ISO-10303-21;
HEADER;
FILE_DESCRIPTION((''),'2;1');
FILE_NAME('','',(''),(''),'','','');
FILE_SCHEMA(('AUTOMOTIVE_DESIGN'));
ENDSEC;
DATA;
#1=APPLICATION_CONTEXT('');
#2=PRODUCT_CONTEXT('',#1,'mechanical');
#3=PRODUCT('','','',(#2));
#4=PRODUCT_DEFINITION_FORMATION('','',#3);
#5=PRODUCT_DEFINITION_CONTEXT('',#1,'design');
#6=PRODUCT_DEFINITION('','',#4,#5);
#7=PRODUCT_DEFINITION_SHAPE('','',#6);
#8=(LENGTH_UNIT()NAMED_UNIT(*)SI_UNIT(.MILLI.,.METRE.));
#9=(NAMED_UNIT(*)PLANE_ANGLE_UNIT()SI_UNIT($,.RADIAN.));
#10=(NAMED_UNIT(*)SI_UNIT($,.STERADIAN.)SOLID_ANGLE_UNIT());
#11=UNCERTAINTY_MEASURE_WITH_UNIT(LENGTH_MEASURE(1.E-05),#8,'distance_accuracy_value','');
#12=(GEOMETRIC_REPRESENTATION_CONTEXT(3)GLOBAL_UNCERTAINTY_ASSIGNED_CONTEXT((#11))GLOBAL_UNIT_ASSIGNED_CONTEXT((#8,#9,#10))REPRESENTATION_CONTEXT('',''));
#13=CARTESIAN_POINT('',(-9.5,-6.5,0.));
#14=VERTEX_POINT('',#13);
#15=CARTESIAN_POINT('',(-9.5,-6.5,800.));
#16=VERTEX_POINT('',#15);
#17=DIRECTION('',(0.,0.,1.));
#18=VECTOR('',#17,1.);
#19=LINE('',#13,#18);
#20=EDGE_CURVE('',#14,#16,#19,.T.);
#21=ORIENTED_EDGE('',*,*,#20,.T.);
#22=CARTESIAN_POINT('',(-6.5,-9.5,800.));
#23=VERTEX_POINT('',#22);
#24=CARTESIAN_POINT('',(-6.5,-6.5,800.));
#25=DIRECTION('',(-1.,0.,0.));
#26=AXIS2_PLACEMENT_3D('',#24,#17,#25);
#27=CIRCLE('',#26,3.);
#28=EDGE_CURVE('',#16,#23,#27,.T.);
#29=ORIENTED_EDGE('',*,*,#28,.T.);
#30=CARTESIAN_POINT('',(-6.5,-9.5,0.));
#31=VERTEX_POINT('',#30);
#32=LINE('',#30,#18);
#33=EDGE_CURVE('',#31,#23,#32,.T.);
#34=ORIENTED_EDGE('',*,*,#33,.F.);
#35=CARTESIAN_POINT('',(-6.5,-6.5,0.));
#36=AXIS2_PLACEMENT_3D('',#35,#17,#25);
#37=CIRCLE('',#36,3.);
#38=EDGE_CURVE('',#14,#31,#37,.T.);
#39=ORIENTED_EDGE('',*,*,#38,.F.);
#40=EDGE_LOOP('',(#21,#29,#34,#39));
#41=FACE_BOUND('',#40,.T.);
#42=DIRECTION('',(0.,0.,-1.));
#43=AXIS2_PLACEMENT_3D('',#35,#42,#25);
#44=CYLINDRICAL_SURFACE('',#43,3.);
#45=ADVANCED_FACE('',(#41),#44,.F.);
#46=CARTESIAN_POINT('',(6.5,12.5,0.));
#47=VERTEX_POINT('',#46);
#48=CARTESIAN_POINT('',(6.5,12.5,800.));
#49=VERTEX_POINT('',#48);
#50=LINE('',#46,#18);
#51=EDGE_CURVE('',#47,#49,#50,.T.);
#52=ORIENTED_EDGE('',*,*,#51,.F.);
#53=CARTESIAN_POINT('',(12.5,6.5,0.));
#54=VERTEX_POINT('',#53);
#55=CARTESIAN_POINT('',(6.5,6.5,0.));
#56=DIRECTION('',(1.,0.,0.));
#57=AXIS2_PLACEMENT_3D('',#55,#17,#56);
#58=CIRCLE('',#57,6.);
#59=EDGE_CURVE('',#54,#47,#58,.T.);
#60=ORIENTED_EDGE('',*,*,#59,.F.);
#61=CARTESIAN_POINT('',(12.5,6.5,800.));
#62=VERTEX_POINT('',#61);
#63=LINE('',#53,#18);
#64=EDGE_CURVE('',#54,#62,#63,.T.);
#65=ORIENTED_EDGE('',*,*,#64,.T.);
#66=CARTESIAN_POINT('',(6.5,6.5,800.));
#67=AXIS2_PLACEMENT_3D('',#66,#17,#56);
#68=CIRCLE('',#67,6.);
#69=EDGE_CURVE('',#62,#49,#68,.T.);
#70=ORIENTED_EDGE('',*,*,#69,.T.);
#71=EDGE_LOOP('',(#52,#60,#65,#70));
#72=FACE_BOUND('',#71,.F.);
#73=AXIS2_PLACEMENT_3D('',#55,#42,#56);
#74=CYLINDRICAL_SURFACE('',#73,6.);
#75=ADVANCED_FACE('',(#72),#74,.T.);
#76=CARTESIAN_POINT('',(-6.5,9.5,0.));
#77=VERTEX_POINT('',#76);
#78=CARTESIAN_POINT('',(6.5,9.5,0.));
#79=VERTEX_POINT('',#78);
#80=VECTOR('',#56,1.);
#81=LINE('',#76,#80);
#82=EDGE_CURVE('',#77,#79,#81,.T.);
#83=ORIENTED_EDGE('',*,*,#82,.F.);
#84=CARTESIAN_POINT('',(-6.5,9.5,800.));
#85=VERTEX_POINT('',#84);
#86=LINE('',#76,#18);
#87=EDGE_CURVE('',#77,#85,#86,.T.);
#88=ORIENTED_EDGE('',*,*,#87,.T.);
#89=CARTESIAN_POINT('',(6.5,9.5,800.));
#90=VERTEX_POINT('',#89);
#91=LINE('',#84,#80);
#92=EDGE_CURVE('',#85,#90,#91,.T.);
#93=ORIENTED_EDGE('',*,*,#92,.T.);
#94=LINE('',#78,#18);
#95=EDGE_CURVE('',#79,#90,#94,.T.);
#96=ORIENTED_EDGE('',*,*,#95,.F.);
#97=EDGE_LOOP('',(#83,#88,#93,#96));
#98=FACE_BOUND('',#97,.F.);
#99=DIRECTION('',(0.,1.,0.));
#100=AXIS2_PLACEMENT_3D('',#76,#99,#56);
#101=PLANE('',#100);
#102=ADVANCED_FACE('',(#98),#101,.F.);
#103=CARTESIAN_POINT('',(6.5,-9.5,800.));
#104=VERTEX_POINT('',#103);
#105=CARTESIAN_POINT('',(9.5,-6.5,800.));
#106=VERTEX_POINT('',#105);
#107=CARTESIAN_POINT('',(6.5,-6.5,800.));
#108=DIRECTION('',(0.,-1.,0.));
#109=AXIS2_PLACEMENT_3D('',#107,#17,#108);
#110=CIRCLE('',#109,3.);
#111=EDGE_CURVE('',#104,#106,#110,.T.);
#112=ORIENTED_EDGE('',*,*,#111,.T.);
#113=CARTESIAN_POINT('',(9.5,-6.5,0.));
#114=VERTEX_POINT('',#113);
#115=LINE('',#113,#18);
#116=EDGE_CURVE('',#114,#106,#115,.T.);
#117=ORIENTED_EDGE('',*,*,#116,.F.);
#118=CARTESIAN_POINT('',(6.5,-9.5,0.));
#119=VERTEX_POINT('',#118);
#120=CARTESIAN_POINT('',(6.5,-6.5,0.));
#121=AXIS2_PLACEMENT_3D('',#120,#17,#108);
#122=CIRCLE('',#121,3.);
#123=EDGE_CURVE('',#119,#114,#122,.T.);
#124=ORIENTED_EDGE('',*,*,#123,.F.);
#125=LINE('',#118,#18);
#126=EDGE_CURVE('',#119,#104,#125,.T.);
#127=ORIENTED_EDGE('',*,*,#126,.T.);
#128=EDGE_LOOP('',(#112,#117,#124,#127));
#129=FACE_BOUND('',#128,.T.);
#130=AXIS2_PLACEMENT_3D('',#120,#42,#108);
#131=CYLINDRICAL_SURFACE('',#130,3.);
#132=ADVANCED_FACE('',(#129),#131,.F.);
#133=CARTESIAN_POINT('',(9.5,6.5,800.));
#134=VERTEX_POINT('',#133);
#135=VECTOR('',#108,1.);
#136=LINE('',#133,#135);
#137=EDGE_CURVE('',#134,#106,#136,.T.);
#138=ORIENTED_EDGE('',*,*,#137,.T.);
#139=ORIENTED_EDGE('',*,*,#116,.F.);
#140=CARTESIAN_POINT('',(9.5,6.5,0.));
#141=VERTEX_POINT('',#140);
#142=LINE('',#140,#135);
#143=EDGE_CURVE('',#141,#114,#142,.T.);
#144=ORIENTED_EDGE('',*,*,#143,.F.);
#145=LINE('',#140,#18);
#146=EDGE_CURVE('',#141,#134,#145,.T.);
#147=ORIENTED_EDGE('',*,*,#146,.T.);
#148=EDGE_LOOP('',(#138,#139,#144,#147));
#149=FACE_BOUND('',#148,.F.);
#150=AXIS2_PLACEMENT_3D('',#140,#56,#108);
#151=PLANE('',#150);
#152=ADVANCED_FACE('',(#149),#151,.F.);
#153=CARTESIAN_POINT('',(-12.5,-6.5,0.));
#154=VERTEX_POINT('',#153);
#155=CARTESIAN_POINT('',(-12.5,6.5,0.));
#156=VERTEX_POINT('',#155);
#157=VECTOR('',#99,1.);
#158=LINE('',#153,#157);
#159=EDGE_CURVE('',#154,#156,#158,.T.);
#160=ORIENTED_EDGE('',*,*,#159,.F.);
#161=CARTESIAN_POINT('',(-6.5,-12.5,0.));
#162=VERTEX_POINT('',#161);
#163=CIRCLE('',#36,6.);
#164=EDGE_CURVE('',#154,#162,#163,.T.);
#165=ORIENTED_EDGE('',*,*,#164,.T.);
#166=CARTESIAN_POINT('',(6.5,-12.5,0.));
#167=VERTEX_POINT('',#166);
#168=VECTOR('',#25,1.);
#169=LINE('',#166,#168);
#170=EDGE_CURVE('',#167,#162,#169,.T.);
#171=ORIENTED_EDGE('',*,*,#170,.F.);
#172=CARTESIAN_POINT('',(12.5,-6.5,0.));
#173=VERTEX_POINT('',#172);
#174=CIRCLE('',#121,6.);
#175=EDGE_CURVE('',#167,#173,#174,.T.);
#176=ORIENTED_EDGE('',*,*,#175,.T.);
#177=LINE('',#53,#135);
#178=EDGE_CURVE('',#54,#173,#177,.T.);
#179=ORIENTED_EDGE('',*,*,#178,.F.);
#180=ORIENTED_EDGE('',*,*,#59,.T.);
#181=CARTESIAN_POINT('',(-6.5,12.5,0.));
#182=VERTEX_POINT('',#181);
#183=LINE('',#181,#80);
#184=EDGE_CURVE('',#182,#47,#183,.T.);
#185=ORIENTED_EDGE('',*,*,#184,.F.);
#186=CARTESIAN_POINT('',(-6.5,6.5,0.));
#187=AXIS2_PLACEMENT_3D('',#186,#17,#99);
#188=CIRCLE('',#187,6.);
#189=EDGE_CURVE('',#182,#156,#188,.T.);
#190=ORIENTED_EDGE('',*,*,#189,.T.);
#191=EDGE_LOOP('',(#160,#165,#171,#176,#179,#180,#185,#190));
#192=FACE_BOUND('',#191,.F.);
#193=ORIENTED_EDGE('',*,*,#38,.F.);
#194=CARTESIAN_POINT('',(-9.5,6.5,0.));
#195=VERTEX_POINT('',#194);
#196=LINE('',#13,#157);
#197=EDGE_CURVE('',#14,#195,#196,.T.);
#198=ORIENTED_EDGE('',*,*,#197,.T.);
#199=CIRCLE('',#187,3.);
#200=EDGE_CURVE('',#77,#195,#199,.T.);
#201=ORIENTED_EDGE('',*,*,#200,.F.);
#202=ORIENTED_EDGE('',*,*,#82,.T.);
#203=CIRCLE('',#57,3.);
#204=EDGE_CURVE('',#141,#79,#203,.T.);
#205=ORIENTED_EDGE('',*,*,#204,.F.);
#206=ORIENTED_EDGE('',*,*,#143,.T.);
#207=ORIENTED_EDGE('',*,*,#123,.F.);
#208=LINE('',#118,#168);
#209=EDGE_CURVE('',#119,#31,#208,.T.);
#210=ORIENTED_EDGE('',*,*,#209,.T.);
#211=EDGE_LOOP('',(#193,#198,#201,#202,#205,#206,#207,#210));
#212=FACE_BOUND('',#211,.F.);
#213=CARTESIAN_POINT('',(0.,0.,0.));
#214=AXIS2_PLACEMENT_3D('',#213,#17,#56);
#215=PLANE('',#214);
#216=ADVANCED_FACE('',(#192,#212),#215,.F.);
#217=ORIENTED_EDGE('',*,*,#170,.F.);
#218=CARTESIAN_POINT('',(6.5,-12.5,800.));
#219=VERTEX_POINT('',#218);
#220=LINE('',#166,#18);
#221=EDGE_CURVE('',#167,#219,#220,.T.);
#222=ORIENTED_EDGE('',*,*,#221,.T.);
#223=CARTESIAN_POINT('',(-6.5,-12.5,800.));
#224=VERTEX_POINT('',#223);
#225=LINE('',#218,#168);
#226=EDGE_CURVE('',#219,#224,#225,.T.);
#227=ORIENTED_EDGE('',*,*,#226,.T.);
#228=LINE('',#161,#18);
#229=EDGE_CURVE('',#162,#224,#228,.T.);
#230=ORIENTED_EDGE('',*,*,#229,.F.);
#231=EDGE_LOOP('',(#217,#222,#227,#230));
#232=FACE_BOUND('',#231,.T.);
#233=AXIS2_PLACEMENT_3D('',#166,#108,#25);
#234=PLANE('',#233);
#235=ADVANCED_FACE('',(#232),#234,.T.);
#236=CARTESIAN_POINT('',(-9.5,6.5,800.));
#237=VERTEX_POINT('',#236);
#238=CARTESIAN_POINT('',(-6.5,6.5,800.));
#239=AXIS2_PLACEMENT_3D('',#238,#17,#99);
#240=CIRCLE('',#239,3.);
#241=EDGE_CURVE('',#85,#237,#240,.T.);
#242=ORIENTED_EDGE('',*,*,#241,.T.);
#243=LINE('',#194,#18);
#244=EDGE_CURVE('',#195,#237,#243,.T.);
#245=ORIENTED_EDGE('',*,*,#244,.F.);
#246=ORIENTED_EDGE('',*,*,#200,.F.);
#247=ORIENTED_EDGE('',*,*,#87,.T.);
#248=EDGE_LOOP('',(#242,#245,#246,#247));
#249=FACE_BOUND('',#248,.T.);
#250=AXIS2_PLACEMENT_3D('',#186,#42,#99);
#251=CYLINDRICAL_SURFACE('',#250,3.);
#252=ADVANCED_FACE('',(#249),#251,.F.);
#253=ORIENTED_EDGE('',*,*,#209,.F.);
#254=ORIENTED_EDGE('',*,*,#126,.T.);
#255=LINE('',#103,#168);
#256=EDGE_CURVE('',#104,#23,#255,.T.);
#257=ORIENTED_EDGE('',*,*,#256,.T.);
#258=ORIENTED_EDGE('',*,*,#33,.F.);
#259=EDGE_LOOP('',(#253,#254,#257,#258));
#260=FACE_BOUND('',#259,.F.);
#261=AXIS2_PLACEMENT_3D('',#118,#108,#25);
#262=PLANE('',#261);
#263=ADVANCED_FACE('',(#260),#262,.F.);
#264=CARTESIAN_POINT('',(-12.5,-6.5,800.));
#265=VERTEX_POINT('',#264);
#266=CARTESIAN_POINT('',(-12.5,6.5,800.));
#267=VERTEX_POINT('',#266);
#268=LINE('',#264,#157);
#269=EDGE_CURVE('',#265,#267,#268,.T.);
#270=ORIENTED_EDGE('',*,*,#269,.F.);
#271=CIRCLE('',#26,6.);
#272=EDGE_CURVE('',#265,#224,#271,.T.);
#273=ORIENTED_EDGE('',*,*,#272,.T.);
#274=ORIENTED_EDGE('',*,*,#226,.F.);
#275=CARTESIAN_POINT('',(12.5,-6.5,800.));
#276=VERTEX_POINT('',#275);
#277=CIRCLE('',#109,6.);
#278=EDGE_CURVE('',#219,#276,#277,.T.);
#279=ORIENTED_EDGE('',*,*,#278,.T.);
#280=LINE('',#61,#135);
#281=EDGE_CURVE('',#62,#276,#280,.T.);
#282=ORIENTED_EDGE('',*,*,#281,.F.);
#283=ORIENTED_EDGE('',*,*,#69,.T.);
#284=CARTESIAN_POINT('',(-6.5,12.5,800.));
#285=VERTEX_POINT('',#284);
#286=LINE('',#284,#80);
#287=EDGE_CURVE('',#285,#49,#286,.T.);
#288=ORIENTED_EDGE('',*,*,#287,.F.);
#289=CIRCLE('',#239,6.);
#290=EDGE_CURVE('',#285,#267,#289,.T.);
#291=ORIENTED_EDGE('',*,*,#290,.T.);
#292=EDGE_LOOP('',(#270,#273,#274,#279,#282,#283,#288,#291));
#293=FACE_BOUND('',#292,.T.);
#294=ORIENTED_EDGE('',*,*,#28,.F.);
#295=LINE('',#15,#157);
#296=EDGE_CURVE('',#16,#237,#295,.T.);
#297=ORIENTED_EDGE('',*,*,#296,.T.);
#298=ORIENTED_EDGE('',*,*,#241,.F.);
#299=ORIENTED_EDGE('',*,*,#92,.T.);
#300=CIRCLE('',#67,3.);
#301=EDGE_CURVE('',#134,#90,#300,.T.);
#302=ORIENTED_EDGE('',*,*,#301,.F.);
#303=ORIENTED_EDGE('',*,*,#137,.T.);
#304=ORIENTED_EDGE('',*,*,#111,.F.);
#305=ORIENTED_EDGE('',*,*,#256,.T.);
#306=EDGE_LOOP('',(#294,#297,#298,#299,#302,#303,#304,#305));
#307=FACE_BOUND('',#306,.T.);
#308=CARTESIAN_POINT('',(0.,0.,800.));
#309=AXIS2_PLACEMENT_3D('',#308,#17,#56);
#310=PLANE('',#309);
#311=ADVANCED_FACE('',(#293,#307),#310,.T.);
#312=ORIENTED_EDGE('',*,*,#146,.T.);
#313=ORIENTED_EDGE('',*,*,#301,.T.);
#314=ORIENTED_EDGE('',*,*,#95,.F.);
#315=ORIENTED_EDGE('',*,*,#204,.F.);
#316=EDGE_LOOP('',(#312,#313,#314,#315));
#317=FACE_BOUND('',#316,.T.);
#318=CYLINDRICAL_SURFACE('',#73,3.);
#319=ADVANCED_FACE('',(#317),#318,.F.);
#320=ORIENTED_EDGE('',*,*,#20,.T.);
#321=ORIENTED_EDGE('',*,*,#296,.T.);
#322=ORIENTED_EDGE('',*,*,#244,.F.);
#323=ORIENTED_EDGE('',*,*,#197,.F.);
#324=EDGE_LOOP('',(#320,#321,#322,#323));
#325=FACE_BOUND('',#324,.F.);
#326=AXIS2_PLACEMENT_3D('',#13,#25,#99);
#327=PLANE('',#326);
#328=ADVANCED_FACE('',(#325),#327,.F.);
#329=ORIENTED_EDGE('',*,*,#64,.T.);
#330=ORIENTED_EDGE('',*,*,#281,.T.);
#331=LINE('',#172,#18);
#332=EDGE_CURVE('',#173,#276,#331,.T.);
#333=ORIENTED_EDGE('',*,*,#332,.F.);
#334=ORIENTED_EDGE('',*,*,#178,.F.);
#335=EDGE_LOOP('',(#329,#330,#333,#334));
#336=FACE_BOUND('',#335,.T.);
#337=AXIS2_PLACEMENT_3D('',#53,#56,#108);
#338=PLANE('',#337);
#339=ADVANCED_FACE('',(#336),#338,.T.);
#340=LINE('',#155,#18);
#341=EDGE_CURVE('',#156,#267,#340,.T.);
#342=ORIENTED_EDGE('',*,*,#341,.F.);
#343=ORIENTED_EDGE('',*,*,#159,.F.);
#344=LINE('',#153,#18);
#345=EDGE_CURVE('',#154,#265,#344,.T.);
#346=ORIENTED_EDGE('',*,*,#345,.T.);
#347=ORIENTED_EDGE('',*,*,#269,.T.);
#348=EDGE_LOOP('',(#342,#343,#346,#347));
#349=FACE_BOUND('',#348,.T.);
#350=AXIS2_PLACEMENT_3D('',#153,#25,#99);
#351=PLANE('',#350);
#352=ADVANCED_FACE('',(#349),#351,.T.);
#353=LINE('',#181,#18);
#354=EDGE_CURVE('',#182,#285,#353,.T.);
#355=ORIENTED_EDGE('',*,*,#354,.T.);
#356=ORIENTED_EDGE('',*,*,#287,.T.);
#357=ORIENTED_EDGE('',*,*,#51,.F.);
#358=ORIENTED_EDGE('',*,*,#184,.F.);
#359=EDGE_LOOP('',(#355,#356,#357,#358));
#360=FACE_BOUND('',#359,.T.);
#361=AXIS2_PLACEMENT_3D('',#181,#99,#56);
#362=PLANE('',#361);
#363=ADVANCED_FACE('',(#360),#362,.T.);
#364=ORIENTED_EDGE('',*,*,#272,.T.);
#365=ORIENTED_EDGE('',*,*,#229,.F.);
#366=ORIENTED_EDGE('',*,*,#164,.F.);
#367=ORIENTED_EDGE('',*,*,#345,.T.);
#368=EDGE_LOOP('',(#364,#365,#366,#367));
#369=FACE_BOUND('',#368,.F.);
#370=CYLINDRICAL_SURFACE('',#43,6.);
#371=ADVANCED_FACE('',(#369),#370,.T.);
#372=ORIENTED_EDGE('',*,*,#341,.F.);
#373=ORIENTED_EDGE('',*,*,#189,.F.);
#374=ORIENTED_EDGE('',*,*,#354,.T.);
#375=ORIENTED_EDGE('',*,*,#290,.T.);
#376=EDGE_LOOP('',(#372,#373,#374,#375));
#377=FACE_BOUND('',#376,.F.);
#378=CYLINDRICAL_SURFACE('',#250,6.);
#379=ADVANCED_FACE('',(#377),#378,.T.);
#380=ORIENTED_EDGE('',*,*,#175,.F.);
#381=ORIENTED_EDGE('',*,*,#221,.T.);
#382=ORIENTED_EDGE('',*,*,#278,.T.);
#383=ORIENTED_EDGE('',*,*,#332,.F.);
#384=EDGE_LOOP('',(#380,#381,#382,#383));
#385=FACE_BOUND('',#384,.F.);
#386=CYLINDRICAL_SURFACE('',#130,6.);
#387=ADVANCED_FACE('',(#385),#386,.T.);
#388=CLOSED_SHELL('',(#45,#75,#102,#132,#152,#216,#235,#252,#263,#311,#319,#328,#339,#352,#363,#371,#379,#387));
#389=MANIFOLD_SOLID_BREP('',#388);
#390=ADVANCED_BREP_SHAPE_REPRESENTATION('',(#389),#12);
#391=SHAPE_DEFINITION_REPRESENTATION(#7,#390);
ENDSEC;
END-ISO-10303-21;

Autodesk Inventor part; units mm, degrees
ref_plane "YZ Plane" through (0, 0, 0) normal (1, 0, 0) x (0, 1, 0)
ref_plane "Start plane" through (0, 0, 0) normal (0, 0, 1) x (1, 0, 0)
ref_plane "End plane" through (0, 0, 800) normal (0, 0, 1) x (1, 0, 0)
sketch "Sketch" plane through (0, 0, 0) normal (0, 0, 1) x (1, 0, 0)
  line L0 (-12.5, -6.5) -> (-12.5, 6.5)
  line L1 (-6.5, 12.5) -> (6.5, 12.5)
  line L2 (12.5, 6.5) -> (12.5, -6.5)
  line L3 (6.5, -12.5) -> (-6.5, -12.5)
  arc A0 (-12.5, -6.5) -> (-6.5, -12.5) centre (-6.5, -6.5) ccw
  arc A1 (-6.5, 12.5) -> (-12.5, 6.5) centre (-6.5, 6.5) ccw
  arc A2 (12.5, 6.5) -> (6.5, 12.5) centre (6.5, 6.5) ccw
  arc A3 (6.5, -12.5) -> (12.5, -6.5) centre (6.5, -6.5) ccw
  arc A4 (-6.5, 9.5) -> (-9.5, 6.5) centre (-6.5, 6.5) ccw
  line L4 (-6.5, 9.5) -> (6.5, 9.5)
  arc A5 (9.5, 6.5) -> (6.5, 9.5) centre (6.5, 6.5) ccw
  line L5 (9.5, 6.5) -> (9.5, -6.5)
  arc A6 (6.5, -9.5) -> (9.5, -6.5) centre (6.5, -6.5) ccw
  line L6 (6.5, -9.5) -> (-6.5, -9.5)
  arc A7 (-9.5, -6.5) -> (-6.5, -9.5) centre (-6.5, -6.5) ccw
  line L7 (-9.5, -6.5) -> (-9.5, 6.5)
  line L8 (0, 19.2397) -> (0, -19.2397) construction
  line L9 (-19.2397, 0) -> (19.2397, 0) construction
  dimension "d7" = 6
  dimension "d10" = 25
  dimension "d11" = 25
  dimension "d12" = 3
  dimension "d15" = 12.5
  dimension "d16" = 12.5
extrude "Body" add sketch "Sketch" along normal up to surface (800 mm away) from surface at 0
sketch "Sketch3" plane through (0, 0, 0) normal (0, 0, 1) x (1, 0, 0)
  line L0 (0, 0) -> (10, 0)
ref_plane "Work Plane3" through (0, 0, 0) normal (0, -1, 0) x (1, 0, 0)
sketch "Sketch4" plane through (0, 0, 0) normal (0, -1, 0) x (1, 0, 0)
  line L0 (-2, 0) -> (12, 0)
  line L1 (-2, 800) -> (12, 800)
  dimension "d18" = 800
equation "\"d7\" = G_IR"
equation "\"d10\" = G_H"
equation "\"d11\" = G_W"
equation "\"d12\" = G_T"
equation "\"d15\" = 0.5 * d10"
equation "\"d16\" = 0.5 * d11"
equation "\"d3\" = G_L"
equation "\"G_W\" = 25"
equation "\"G_H\" = 25"
equation "\"G_T\" = 3"
equation "\"G_IR\" = 6"
equation "\"G_L\" = d18"
equation "\"G_OFFSET_START\" = 0"
equation "\"G_OFFSET_END\" = 0"
properties part number "AS 1163 - C350L0 25x25x3.0 SHS - 800" material "Steel, Mild"
